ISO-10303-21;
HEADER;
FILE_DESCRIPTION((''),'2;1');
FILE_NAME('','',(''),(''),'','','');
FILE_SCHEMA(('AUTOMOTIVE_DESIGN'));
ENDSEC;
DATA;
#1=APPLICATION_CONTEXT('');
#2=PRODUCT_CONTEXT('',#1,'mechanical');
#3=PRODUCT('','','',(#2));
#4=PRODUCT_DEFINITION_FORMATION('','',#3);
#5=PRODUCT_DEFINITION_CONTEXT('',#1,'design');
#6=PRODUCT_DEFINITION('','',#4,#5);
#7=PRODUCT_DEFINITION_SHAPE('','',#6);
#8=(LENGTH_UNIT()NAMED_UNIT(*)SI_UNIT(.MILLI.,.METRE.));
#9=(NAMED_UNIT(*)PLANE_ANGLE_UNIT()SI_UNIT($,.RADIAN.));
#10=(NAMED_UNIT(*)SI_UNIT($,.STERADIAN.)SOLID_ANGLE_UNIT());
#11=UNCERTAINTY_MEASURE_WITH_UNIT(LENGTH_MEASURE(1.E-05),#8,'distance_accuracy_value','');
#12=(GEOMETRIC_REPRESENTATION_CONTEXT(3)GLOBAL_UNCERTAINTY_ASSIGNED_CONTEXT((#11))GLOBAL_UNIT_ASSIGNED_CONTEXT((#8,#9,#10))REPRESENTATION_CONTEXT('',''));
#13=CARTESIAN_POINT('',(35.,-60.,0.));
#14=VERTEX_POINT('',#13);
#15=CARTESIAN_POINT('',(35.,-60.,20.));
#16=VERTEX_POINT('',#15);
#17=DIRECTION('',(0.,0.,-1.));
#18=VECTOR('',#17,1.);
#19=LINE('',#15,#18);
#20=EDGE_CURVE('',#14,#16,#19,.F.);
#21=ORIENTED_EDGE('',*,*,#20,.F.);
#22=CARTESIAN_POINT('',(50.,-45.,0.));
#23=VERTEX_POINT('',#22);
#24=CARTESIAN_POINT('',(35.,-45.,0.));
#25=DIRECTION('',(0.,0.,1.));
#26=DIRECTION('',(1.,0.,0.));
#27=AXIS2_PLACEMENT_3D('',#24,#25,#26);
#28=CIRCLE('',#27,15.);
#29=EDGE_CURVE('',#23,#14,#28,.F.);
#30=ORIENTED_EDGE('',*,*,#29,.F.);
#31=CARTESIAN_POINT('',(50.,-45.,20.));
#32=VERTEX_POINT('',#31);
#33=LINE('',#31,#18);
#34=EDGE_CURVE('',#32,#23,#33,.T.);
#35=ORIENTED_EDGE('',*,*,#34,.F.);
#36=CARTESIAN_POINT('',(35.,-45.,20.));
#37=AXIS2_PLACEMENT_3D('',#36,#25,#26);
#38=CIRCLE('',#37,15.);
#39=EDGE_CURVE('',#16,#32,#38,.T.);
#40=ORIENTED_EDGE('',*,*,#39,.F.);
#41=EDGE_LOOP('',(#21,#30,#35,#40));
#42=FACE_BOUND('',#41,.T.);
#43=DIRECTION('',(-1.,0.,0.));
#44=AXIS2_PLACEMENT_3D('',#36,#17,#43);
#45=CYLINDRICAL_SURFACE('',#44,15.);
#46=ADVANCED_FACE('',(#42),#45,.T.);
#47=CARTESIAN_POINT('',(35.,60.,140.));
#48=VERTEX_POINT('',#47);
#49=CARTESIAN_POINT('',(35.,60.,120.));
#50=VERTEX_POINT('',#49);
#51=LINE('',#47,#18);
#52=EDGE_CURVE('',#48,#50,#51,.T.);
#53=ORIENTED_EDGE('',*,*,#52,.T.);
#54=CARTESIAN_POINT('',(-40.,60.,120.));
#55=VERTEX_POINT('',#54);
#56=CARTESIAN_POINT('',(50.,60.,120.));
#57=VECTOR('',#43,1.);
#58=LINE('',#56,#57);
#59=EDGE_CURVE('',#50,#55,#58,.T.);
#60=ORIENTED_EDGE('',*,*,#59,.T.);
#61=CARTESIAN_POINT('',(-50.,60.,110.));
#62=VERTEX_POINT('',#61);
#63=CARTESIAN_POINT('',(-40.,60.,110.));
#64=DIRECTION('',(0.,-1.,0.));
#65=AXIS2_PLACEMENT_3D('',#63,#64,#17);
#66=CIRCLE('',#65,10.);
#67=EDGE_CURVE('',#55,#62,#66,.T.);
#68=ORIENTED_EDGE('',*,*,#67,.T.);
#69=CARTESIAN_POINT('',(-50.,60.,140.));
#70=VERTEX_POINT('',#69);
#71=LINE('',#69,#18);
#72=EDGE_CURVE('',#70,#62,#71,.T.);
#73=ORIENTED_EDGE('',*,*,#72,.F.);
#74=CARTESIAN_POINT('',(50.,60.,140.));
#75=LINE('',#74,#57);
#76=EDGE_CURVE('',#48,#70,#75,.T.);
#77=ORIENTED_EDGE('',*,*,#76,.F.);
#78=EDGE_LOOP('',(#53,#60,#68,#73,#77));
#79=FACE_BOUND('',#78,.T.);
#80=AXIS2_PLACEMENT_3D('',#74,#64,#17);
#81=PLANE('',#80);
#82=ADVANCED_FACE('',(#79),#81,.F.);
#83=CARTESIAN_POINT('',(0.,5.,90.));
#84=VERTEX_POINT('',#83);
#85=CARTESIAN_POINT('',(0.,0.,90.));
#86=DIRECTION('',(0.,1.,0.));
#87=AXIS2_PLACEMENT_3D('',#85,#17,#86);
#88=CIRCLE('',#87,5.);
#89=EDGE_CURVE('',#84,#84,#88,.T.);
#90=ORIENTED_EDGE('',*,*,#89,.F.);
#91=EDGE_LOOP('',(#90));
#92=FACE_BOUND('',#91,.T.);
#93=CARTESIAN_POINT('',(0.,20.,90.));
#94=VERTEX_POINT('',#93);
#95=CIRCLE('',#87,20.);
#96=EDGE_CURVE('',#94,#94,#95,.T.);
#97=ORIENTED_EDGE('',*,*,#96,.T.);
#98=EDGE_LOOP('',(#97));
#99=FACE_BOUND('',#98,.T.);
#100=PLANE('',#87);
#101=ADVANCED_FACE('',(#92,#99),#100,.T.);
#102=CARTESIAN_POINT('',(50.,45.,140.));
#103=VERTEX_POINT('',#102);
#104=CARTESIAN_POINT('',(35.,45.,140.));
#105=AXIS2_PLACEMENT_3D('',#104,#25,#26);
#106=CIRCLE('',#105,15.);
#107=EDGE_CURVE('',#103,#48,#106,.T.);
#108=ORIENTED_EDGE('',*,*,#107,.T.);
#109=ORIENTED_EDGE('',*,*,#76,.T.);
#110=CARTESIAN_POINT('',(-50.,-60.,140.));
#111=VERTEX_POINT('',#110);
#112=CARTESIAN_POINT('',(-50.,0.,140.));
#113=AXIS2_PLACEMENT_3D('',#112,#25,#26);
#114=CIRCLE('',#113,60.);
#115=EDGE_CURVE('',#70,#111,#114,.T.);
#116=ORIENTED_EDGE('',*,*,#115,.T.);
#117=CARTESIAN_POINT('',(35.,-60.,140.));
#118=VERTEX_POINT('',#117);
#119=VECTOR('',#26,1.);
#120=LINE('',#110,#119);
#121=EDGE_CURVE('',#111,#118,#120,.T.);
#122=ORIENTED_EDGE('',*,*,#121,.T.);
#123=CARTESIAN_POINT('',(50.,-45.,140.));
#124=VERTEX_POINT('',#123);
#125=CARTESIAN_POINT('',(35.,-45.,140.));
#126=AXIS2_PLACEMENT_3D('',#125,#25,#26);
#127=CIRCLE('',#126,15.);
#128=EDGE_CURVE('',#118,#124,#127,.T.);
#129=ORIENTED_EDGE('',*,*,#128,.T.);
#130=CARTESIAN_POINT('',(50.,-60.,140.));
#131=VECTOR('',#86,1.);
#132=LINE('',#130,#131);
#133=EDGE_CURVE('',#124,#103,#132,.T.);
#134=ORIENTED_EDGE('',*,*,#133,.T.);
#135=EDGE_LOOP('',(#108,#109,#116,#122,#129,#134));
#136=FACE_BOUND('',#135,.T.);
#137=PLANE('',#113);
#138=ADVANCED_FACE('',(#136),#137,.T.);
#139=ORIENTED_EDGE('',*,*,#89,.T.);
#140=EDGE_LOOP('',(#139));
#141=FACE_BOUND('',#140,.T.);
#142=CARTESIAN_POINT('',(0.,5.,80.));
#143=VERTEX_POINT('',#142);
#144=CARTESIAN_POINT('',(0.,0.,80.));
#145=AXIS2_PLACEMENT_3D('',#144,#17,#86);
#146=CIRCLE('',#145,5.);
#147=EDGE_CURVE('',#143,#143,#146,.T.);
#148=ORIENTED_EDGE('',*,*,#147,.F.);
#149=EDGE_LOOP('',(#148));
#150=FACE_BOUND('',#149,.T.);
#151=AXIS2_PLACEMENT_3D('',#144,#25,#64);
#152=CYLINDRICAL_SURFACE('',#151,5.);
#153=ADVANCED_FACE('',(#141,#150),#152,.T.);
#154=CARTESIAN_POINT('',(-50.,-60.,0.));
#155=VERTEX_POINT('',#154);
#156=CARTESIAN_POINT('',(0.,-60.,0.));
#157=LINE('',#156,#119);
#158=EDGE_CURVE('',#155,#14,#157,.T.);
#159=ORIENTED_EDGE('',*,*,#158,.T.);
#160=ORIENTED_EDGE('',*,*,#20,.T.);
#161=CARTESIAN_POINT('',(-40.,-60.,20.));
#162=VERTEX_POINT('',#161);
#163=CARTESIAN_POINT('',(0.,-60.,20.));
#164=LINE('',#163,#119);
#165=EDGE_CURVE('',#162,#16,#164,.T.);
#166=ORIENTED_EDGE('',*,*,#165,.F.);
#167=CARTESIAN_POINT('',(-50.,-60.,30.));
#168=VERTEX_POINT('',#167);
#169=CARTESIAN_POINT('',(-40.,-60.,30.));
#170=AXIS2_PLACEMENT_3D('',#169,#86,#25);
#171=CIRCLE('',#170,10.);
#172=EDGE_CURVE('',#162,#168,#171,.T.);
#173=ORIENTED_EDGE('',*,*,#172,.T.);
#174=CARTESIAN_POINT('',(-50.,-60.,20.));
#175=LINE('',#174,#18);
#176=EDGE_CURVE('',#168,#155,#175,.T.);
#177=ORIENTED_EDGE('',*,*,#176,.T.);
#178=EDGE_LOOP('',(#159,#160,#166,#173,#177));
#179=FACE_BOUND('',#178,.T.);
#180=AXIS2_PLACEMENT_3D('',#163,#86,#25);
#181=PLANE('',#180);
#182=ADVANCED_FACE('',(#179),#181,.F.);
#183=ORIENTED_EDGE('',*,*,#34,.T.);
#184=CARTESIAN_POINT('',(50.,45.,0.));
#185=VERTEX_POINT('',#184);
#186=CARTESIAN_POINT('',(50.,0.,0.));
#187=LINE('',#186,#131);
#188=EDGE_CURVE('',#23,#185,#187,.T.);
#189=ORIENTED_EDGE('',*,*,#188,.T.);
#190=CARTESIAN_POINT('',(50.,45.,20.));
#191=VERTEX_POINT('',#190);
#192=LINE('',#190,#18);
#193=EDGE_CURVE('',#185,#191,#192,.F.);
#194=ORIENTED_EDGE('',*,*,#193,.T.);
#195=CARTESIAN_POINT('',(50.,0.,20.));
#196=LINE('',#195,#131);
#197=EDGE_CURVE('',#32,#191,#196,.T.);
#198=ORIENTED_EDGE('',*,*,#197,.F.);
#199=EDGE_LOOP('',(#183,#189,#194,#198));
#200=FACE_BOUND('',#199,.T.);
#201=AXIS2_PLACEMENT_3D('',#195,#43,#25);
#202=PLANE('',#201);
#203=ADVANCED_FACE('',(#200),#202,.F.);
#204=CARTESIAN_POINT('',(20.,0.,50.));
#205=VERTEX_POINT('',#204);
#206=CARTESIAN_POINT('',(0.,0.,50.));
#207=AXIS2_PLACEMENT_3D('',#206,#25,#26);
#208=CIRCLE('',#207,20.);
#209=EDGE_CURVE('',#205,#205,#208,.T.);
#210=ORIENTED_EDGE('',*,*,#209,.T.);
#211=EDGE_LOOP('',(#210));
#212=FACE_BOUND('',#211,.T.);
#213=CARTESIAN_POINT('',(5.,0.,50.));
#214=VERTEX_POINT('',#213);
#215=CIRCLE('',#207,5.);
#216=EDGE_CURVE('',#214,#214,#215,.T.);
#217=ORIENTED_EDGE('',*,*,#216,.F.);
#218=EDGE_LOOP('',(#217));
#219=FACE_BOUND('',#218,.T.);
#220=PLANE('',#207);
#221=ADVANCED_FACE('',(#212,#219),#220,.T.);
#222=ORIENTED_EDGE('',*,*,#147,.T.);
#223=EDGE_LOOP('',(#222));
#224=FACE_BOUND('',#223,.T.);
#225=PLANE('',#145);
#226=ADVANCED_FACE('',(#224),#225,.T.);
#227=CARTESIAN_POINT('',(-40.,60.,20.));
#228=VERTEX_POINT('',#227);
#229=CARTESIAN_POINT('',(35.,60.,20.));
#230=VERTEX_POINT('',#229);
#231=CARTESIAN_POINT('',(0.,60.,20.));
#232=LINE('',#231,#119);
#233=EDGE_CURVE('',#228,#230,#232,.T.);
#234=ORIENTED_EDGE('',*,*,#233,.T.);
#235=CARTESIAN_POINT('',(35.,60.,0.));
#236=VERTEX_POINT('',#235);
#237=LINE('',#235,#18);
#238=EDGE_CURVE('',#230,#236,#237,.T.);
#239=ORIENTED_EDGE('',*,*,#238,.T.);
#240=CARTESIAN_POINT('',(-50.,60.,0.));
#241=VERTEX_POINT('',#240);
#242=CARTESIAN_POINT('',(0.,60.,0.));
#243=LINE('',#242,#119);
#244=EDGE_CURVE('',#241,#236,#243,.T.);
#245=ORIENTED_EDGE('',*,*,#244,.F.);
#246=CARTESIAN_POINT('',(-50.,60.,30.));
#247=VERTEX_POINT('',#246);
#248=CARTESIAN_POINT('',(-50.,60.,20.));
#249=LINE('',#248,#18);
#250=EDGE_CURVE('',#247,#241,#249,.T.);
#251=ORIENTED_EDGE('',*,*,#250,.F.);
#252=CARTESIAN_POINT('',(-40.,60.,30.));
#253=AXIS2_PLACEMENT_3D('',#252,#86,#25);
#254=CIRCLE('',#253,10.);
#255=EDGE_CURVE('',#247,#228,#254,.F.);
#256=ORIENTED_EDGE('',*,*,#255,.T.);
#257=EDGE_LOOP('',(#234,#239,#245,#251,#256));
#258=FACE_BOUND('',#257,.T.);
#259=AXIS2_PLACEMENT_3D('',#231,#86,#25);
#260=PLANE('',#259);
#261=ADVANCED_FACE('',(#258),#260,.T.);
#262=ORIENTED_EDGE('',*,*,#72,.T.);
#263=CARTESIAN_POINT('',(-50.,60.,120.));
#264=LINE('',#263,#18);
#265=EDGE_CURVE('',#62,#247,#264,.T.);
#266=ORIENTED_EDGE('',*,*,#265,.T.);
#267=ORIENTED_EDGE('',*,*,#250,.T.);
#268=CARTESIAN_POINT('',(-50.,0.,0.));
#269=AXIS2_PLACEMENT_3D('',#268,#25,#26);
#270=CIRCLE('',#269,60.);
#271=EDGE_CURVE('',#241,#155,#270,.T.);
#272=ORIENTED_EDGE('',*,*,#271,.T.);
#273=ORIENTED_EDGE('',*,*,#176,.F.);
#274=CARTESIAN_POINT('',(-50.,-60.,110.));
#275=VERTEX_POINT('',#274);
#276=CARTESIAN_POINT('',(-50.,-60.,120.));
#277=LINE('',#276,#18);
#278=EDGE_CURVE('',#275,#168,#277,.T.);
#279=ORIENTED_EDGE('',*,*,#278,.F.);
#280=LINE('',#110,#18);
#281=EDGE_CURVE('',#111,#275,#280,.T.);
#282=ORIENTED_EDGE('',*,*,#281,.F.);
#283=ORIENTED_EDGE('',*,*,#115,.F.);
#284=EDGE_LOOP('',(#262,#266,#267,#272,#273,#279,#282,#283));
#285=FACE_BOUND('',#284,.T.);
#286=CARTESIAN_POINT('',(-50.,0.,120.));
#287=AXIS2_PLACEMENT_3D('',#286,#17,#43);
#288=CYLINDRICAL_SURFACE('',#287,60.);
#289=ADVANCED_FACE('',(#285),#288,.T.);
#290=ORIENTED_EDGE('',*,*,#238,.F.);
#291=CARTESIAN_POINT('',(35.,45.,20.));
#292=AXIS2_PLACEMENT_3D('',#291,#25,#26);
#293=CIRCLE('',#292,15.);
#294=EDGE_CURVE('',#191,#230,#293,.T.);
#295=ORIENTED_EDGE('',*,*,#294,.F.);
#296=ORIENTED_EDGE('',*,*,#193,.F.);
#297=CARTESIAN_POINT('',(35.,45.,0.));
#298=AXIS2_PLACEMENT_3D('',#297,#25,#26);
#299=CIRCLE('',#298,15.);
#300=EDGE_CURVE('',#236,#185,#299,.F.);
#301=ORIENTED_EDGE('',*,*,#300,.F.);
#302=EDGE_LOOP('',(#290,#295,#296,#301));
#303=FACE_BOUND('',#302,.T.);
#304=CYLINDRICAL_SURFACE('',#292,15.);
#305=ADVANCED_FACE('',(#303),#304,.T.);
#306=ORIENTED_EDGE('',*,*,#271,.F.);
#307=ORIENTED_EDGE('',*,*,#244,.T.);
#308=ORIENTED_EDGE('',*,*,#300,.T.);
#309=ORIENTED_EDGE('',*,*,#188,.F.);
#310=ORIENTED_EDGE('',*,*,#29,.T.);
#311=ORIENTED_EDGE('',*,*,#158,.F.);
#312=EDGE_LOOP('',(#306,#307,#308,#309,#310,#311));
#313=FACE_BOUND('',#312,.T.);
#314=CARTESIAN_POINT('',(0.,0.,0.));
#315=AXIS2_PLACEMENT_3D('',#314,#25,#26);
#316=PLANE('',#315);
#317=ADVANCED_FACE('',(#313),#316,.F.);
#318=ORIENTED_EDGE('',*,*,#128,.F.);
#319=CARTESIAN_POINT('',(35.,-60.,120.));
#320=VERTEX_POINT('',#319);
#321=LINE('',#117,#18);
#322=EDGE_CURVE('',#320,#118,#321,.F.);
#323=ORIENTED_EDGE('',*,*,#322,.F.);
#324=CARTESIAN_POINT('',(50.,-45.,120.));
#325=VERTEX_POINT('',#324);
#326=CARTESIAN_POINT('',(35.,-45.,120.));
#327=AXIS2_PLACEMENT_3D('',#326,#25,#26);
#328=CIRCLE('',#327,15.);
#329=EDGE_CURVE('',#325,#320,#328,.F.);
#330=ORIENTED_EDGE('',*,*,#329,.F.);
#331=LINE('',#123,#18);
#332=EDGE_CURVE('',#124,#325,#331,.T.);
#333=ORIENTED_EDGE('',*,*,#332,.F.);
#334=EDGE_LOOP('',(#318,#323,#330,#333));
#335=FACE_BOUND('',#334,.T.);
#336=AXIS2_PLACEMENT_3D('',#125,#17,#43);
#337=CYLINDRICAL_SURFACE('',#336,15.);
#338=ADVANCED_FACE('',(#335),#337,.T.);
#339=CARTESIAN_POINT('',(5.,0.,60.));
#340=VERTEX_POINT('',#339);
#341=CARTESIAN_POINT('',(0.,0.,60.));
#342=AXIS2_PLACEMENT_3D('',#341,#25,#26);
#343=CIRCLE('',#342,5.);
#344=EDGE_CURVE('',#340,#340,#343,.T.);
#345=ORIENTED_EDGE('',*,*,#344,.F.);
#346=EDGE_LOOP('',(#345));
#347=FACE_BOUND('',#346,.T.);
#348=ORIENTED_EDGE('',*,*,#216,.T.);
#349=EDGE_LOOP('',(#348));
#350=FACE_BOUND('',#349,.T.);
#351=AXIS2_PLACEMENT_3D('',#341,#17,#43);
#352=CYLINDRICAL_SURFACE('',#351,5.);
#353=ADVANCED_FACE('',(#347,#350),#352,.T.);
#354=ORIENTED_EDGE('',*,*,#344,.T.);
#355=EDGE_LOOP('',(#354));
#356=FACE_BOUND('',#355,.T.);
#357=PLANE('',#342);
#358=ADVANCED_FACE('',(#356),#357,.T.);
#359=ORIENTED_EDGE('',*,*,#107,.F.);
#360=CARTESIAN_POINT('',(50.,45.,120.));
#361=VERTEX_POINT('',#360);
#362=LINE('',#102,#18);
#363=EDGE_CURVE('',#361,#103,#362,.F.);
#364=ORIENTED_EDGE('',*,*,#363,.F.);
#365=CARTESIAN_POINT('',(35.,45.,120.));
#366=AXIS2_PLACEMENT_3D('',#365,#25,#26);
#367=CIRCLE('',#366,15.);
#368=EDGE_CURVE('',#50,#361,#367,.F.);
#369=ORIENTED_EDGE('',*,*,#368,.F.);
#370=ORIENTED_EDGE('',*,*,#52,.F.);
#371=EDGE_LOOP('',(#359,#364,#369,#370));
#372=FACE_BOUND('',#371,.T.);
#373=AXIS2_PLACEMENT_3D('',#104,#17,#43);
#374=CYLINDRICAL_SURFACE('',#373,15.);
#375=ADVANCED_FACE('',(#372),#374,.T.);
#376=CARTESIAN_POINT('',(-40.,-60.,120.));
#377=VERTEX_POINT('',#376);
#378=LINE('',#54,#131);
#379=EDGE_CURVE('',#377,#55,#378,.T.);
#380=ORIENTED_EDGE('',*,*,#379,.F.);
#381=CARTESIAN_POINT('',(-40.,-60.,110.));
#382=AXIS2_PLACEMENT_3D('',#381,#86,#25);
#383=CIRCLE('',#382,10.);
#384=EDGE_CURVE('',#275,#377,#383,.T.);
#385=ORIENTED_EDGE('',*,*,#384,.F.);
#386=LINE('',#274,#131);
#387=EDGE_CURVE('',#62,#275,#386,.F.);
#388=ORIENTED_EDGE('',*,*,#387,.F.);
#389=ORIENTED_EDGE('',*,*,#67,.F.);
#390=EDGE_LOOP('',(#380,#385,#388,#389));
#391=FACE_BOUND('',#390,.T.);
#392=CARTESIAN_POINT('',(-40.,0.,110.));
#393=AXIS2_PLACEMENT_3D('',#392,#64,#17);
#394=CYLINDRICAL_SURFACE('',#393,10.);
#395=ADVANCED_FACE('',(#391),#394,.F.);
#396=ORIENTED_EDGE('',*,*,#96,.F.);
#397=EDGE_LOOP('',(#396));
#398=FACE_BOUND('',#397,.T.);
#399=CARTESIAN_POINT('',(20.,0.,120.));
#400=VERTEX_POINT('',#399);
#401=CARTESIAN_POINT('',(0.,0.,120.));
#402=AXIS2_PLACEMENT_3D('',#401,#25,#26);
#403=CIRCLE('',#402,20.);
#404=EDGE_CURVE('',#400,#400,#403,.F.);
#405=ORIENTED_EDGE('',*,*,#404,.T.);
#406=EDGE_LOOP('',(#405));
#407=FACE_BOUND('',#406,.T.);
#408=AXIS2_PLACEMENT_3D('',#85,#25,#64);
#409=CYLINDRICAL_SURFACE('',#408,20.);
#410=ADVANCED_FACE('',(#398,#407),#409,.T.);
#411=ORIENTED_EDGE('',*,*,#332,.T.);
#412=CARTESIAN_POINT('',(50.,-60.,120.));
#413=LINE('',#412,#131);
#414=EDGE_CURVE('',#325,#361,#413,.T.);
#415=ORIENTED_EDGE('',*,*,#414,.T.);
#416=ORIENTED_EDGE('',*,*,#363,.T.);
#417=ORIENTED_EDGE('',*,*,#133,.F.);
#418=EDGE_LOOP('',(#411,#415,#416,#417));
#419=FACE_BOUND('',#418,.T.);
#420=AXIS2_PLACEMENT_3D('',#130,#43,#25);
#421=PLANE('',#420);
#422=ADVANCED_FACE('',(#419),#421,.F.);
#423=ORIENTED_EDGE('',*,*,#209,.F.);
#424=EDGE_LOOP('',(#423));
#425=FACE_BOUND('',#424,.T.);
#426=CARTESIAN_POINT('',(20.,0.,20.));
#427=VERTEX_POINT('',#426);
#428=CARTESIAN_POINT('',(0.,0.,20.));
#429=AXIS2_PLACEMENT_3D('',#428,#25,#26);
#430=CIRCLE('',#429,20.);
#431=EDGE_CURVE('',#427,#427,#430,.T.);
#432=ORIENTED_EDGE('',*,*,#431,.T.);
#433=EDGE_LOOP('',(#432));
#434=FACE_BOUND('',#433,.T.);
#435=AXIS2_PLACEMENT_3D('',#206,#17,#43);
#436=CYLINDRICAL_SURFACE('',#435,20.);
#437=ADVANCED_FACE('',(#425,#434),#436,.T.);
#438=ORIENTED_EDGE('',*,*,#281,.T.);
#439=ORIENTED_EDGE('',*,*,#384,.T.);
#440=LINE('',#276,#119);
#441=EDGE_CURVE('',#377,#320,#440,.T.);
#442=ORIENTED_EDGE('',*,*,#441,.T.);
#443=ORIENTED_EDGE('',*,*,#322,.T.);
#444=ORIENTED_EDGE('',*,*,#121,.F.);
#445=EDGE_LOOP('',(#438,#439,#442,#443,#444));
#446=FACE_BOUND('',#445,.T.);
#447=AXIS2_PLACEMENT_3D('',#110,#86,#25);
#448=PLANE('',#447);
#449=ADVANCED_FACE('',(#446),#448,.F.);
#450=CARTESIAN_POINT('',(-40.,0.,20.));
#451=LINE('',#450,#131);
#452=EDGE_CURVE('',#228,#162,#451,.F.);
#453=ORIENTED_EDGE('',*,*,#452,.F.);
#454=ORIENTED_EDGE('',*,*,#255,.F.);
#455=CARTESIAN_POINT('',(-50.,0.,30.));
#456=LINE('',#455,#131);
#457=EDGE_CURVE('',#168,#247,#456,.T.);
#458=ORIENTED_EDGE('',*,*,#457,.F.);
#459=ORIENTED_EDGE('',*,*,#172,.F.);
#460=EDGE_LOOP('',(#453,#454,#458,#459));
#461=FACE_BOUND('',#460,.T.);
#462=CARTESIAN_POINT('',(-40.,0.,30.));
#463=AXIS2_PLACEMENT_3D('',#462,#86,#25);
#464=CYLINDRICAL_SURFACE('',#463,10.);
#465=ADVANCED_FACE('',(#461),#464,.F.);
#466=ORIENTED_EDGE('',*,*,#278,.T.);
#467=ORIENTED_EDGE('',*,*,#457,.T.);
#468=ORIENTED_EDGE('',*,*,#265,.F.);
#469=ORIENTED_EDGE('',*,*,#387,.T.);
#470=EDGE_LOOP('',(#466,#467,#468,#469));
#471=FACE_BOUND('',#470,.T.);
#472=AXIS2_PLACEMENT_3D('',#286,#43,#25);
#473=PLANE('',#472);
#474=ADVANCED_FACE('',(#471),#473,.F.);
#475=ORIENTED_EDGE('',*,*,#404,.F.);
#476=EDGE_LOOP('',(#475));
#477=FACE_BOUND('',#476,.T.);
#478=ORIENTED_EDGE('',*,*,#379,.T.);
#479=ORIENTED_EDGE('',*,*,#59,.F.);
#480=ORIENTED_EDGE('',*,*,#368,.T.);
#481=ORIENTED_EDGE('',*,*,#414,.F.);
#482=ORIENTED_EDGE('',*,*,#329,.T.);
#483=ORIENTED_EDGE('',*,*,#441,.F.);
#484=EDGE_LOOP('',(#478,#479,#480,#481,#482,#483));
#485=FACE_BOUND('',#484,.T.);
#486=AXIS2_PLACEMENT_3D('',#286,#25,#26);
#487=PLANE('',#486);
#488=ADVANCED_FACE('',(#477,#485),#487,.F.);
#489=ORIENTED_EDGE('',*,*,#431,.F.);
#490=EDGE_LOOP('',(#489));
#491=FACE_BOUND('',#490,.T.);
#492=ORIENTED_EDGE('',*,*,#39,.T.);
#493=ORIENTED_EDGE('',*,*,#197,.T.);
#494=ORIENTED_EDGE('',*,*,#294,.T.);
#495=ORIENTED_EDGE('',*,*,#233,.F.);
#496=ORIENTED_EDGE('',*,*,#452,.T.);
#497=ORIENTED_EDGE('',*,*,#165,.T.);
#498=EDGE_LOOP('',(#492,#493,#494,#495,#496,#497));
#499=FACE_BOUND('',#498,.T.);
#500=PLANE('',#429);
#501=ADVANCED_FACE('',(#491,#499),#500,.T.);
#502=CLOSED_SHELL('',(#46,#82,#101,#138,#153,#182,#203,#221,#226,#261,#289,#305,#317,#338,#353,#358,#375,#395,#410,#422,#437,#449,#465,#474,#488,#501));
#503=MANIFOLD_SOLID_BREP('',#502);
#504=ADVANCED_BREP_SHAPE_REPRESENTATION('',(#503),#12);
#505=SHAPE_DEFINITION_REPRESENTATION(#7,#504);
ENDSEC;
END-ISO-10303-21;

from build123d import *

# Parameters (mm, degrees)
IZIM1_W                     = 100
IZIM1_H                     = 120
Y_KSEKLIK_EKSTR_ZYON1_DEPTH = 20
Y_KSEKLIK_EKSTR_ZYON2_DEPTH = 120
Y_KSEKLIK_EKSTR_ZYON3_DEPTH = 20
RADYUS1_R                   = 10
RADYUS2_R                   = 15
IZIM3_R                     = 20
Y_KSEKLIK_EKSTR_ZYON4_DEPTH = 30
IZIM4_R                     = 5
Y_KSEKLIK_EKSTR_ZYON5_DEPTH = 10
Y_KSEKLIK_EKSTR_ZYON6_START = 30
IZIM5_R                     = 20
Y_KSEKLIK_EKSTR_ZYON6_DEPTH = 30
Y_KSEKLIK_EKSTR_ZYON7_START = 10
IZIM6_R                     = 5
Y_KSEKLIK_EKSTR_ZYON7_DEPTH = 10


with BuildPart() as part:
    # Çizim1 → Yükseklik-Ekstrüzyon1 (new body)
    with BuildSketch(Plane.XY):
        Rectangle(IZIM1_W, IZIM1_H)
    extrude(amount=Y_KSEKLIK_EKSTR_ZYON1_DEPTH)

    # Çizim1<3> → Yükseklik-Ekstrüzyon2 (add)
    with BuildSketch(Plane.XY):
        with BuildLine():
            Line((-50, -60), (-50, 60))
            ThreePointArc((-50, 60), (-110, 0), (-50, -60))
        make_face()
    extrude(amount=Y_KSEKLIK_EKSTR_ZYON2_DEPTH)

    # Çizim2 → Yükseklik-Ekstrüzyon3 (add)
    with BuildSketch(Plane.XY.offset(120)):
        with BuildLine():
            Line((-50, -60), (50, -60))
            Line((50, -60), (50, 60))
            Line((50, 60), (-50, 60))
            ThreePointArc((-50, 60), (-110, 0), (-50, -60))
        make_face()
    extrude(amount=Y_KSEKLIK_EKSTR_ZYON3_DEPTH)

    # Radyus1
    radyus1_edges = [part.edges().sort_by_distance(p)[0] for p in [
        (-50, 0, 120),
        (-50, 0, 20),
    ]]
    fillet(radyus1_edges, radius=RADYUS1_R)

    # Radyus2
    radyus2_edges = [part.edges().sort_by_distance(p)[0] for p in [
        (50, -60, 130),
        (50, 60, 130),
        (50, 60, 10),
        (50, -60, 10),
    ]]
    fillet(radyus2_edges, radius=RADYUS2_R)

    # Çizim3 → Yükseklik-Ekstrüzyon4 (add)
    with BuildSketch(Plane.XY.offset(20)):
        Circle(IZIM3_R)
    extrude(amount=Y_KSEKLIK_EKSTR_ZYON4_DEPTH)

    # Çizim4 → Yükseklik-Ekstrüzyon5 (add)
    with BuildSketch(Plane.XY.offset(50)):
        Circle(IZIM4_R)
    extrude(amount=Y_KSEKLIK_EKSTR_ZYON5_DEPTH)

    # Çizim5 → Yükseklik-Ekstrüzyon6 (add)
    with BuildSketch(Plane(origin=(0, 0, 120), x_dir=(1, 0, 0), z_dir=(0, 0, -1)).offset(Y_KSEKLIK_EKSTR_ZYON6_START)):
        Circle(IZIM5_R)
    extrude(amount=-Y_KSEKLIK_EKSTR_ZYON6_DEPTH)

    # Çizim6 → Yükseklik-Ekstrüzyon7 (add)
    with BuildSketch(Plane(origin=(0, 0, 90), x_dir=(1, 0, 0), z_dir=(0, 0, -1)).offset(Y_KSEKLIK_EKSTR_ZYON7_START)):
        Circle(IZIM6_R)
    extrude(amount=-Y_KSEKLIK_EKSTR_ZYON7_DEPTH)


solid = part.part
